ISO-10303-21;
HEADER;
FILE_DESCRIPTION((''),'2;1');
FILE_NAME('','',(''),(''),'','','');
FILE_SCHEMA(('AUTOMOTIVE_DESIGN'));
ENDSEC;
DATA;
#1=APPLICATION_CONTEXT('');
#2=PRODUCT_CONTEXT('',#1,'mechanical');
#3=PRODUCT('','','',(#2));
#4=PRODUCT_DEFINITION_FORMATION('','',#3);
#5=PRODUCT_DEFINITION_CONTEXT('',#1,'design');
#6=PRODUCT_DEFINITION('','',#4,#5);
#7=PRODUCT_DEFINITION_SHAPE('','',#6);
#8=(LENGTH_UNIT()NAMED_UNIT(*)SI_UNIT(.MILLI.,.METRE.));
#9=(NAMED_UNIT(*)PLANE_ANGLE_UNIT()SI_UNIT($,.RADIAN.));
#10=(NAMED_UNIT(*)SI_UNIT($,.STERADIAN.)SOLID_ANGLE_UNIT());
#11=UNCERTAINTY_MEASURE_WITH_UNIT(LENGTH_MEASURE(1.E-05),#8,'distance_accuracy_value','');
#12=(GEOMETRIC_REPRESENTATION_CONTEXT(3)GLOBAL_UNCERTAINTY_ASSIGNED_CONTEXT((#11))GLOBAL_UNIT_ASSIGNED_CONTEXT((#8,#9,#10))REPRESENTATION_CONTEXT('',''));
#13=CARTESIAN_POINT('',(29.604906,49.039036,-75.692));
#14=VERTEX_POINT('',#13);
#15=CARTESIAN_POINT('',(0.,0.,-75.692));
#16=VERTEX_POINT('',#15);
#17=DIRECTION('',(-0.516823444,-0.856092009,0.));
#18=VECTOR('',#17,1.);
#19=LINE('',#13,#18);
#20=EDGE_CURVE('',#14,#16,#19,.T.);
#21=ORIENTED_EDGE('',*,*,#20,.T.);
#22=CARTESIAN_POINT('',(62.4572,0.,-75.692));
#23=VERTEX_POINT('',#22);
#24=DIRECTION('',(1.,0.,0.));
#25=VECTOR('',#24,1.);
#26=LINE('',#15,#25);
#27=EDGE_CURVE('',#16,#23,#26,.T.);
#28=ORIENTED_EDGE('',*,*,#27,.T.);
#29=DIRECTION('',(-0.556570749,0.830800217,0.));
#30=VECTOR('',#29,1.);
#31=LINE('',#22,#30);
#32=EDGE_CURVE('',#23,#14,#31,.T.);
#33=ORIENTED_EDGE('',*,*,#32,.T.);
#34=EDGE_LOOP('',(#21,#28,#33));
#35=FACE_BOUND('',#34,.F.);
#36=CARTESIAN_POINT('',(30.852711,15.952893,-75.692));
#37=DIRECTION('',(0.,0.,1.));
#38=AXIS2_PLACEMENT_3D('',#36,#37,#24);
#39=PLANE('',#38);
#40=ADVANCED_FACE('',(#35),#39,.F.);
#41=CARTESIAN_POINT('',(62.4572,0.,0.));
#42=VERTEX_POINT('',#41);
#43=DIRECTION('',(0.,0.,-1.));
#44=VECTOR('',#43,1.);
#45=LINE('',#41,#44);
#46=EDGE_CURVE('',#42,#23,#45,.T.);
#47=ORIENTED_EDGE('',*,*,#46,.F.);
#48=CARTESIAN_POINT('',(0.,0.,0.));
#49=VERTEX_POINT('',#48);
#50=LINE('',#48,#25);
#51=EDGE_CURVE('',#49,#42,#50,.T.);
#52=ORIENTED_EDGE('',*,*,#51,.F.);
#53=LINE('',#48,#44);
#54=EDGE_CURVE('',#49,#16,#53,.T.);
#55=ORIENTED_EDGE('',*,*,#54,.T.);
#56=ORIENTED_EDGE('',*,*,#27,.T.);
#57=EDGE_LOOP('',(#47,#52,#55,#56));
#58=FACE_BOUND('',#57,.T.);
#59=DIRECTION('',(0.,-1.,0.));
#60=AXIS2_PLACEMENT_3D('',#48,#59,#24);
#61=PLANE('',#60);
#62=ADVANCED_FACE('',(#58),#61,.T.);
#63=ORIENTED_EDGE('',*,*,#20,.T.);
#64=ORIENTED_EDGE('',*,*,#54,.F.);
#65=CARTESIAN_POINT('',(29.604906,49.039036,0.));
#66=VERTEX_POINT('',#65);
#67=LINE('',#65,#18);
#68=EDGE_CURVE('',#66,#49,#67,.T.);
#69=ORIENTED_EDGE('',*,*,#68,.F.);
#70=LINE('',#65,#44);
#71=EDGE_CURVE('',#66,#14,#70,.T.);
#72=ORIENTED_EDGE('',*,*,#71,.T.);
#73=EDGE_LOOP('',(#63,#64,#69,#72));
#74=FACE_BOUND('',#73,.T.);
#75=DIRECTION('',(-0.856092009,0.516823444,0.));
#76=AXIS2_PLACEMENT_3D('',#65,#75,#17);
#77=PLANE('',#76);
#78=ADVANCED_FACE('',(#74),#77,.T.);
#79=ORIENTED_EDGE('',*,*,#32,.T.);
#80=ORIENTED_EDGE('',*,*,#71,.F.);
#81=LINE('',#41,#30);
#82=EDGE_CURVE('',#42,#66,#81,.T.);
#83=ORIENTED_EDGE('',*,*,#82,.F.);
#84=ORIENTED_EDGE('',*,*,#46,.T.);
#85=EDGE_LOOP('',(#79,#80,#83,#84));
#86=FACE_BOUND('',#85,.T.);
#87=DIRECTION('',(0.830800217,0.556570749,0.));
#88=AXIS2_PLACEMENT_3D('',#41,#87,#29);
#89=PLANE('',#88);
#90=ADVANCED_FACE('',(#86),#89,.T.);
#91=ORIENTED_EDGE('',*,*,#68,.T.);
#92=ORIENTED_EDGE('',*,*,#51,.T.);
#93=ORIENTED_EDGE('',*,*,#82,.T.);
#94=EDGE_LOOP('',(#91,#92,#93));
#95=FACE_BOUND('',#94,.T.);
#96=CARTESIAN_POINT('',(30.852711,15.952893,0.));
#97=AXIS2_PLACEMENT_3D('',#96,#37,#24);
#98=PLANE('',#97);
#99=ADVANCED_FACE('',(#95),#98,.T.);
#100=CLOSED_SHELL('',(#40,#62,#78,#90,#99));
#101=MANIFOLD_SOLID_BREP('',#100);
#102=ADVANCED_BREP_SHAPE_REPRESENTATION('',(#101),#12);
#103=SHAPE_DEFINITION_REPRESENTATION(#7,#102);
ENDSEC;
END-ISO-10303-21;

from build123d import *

# Parameters (mm, degrees)
F1_DEPTH = 75.692


with BuildPart() as f1:
    # F0 (on Top) → F1 (new body)
    with BuildSketch(Plane.XY):
        Polygon((29.604906, 49.039036), (0, 0), (62.4572, 0), align=None)
    extrude(amount=-F1_DEPTH)


solid = f1.part
